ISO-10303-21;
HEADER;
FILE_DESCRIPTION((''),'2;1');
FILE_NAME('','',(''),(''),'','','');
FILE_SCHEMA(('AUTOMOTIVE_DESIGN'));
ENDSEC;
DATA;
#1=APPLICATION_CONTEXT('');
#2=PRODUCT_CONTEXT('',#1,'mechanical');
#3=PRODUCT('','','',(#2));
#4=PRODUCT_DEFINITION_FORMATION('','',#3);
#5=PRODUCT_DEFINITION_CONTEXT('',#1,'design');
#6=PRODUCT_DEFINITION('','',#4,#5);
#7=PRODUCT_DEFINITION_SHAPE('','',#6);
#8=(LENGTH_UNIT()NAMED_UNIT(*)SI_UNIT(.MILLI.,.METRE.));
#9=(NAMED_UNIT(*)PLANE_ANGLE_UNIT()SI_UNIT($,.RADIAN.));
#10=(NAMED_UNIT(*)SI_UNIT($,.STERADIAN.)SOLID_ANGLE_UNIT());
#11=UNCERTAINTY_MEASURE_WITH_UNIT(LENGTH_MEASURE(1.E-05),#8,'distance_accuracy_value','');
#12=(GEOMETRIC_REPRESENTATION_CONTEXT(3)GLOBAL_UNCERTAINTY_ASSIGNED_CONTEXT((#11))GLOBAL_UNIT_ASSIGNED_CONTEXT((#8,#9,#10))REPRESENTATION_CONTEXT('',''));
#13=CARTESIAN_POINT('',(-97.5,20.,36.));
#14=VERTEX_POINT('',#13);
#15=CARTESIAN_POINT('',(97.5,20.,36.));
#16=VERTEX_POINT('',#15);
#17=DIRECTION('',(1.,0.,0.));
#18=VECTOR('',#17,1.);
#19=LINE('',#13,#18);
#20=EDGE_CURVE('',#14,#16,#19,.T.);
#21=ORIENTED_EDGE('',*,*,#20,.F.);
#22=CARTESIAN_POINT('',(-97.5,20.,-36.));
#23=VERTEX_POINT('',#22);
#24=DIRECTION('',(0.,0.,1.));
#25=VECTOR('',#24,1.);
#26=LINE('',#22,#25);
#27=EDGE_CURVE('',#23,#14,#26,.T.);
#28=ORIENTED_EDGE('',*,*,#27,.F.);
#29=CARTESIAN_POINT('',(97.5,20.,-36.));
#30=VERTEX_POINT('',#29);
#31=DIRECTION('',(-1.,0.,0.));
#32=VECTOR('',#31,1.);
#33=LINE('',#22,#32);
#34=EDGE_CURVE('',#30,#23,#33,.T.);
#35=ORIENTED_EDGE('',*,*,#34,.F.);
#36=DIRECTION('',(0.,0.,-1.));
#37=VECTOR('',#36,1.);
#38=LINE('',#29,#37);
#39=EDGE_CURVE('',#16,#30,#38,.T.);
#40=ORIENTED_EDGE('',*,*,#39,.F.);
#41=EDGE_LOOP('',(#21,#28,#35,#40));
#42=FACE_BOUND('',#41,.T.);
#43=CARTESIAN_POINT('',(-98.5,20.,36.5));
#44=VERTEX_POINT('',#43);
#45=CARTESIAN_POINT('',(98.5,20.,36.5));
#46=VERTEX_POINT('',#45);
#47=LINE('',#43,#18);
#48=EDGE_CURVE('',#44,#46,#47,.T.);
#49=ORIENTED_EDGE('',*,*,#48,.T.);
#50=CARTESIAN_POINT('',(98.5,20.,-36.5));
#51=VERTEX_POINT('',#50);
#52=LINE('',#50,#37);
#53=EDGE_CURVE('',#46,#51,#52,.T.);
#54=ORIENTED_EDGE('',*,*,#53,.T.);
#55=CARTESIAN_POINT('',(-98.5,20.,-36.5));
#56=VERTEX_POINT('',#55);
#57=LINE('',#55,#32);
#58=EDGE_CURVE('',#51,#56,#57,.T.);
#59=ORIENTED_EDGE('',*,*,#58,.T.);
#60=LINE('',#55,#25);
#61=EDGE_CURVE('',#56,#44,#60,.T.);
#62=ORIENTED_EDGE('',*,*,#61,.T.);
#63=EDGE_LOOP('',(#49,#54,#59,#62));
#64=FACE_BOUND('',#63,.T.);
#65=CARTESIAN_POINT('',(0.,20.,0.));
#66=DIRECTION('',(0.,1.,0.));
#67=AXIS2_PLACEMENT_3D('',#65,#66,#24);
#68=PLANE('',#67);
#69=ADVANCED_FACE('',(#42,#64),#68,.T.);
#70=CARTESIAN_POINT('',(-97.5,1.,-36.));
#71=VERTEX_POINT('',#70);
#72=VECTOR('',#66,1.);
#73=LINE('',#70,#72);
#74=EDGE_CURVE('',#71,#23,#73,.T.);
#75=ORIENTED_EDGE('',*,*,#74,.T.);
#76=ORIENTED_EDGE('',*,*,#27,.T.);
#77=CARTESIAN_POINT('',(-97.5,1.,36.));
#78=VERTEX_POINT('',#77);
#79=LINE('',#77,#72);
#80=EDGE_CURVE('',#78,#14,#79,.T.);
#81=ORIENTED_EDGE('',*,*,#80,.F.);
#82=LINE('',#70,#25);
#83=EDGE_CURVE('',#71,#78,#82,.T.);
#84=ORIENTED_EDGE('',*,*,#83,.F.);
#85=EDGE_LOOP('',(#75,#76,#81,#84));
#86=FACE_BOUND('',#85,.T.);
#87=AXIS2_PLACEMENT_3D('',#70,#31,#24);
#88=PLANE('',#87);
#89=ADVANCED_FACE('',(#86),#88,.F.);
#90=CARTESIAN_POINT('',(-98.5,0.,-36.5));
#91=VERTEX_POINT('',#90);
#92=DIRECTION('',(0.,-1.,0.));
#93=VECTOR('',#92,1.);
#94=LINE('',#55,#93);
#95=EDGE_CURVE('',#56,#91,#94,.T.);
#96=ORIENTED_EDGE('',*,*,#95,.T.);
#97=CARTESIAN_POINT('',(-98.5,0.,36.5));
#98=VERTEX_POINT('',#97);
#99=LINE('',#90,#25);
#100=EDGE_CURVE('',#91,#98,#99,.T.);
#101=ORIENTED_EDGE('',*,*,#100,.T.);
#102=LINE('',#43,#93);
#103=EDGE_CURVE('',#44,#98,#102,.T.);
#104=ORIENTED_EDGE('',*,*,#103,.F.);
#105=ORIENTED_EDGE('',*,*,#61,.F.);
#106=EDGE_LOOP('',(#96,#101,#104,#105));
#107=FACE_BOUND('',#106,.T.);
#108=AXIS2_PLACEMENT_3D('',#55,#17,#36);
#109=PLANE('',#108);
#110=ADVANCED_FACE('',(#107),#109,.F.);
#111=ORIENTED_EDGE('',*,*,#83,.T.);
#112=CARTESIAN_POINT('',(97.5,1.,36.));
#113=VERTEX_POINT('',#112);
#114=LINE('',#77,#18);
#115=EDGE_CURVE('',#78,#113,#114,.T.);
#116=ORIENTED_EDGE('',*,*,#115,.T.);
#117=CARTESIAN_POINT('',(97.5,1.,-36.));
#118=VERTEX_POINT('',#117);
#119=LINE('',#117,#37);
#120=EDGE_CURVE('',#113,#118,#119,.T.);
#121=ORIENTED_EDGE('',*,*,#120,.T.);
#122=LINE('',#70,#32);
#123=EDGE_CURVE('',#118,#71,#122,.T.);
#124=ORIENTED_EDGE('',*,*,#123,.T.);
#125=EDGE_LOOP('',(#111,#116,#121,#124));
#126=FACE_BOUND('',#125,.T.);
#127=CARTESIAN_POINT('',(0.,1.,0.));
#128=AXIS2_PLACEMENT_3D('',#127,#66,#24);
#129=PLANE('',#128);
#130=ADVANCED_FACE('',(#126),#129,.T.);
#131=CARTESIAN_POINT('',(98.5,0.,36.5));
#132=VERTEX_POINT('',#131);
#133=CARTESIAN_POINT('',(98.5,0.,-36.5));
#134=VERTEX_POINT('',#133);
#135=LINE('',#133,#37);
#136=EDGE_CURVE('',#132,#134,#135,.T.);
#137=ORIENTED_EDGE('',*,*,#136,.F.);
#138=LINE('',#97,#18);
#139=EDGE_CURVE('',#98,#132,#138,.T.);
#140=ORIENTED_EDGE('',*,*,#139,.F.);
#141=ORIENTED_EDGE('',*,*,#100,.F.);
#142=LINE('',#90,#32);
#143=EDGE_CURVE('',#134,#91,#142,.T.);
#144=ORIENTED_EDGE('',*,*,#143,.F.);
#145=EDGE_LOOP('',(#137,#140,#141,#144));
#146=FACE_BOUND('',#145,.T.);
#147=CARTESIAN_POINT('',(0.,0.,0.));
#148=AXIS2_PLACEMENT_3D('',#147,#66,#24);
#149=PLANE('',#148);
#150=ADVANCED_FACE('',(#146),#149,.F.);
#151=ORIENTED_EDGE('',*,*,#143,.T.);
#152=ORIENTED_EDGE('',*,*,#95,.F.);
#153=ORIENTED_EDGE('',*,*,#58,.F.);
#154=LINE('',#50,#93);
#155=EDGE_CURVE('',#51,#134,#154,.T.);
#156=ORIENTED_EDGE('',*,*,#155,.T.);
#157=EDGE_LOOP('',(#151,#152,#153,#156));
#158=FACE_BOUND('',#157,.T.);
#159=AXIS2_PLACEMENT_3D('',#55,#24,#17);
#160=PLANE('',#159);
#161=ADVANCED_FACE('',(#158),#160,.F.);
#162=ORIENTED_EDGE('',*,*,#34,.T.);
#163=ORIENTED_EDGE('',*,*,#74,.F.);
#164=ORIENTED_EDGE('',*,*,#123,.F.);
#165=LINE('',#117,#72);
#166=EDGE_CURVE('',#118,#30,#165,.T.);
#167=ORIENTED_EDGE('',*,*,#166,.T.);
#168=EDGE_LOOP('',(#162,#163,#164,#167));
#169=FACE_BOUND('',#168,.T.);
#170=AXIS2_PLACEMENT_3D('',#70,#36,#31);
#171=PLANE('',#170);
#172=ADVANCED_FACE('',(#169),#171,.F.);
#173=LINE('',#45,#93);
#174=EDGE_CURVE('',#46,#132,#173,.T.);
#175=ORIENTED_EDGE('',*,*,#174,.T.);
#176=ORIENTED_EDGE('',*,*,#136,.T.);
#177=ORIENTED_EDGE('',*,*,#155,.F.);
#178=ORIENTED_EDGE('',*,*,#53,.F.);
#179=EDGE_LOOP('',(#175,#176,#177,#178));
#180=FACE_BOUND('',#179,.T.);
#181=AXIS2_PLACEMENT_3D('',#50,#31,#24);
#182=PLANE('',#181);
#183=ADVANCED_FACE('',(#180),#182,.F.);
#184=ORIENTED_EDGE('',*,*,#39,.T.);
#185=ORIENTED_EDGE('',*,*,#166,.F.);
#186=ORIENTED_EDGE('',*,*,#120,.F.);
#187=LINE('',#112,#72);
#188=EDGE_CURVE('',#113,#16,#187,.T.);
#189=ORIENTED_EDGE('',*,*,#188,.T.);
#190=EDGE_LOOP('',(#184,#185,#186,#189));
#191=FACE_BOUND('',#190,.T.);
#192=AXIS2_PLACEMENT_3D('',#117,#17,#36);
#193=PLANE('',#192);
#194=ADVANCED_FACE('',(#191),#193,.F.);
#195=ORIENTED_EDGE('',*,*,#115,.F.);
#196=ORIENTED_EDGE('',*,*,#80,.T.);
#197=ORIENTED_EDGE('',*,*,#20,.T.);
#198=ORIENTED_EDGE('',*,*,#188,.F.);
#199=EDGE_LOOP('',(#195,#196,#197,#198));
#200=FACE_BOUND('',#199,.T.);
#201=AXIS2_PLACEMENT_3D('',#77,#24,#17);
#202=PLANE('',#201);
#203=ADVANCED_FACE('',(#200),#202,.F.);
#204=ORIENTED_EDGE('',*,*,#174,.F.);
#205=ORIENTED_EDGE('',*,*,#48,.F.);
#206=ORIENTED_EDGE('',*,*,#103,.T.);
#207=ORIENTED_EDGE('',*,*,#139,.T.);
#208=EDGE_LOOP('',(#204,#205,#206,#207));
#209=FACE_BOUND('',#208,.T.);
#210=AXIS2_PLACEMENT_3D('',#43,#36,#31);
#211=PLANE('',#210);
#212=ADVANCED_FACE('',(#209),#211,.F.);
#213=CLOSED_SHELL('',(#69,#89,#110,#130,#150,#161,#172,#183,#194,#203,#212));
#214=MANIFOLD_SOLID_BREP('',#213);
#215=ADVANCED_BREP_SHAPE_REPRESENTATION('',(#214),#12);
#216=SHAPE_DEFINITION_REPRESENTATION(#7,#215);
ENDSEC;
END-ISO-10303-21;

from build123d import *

# Parameters (mm, degrees)
SKETCH1_W           = 197
SKETCH1_H           = 73
BOSS_EXTRUDE1_DEPTH = 20
SKETCH2_W           = 195
SKETCH2_H           = 72
CUT_EXTRUDE1_DEPTH  = 19


with BuildPart() as part:
    # Sketch1 → Boss-Extrude1 (new body)
    with BuildSketch(Plane(origin=(0, 0, 0), x_dir=(1, 0, 0), z_dir=(0, 1, 0))):
        Rectangle(SKETCH1_W, SKETCH1_H)
    extrude(amount=BOSS_EXTRUDE1_DEPTH)

    # Sketch2 → Cut-Extrude1 (cut)
    with BuildSketch(Plane(origin=(0, 20, 0), x_dir=(1, 0, 0), z_dir=(0, 1, 0))):
        Rectangle(SKETCH2_W, SKETCH2_H)
    extrude(amount=-CUT_EXTRUDE1_DEPTH, mode=Mode.SUBTRACT)


solid = part.part
